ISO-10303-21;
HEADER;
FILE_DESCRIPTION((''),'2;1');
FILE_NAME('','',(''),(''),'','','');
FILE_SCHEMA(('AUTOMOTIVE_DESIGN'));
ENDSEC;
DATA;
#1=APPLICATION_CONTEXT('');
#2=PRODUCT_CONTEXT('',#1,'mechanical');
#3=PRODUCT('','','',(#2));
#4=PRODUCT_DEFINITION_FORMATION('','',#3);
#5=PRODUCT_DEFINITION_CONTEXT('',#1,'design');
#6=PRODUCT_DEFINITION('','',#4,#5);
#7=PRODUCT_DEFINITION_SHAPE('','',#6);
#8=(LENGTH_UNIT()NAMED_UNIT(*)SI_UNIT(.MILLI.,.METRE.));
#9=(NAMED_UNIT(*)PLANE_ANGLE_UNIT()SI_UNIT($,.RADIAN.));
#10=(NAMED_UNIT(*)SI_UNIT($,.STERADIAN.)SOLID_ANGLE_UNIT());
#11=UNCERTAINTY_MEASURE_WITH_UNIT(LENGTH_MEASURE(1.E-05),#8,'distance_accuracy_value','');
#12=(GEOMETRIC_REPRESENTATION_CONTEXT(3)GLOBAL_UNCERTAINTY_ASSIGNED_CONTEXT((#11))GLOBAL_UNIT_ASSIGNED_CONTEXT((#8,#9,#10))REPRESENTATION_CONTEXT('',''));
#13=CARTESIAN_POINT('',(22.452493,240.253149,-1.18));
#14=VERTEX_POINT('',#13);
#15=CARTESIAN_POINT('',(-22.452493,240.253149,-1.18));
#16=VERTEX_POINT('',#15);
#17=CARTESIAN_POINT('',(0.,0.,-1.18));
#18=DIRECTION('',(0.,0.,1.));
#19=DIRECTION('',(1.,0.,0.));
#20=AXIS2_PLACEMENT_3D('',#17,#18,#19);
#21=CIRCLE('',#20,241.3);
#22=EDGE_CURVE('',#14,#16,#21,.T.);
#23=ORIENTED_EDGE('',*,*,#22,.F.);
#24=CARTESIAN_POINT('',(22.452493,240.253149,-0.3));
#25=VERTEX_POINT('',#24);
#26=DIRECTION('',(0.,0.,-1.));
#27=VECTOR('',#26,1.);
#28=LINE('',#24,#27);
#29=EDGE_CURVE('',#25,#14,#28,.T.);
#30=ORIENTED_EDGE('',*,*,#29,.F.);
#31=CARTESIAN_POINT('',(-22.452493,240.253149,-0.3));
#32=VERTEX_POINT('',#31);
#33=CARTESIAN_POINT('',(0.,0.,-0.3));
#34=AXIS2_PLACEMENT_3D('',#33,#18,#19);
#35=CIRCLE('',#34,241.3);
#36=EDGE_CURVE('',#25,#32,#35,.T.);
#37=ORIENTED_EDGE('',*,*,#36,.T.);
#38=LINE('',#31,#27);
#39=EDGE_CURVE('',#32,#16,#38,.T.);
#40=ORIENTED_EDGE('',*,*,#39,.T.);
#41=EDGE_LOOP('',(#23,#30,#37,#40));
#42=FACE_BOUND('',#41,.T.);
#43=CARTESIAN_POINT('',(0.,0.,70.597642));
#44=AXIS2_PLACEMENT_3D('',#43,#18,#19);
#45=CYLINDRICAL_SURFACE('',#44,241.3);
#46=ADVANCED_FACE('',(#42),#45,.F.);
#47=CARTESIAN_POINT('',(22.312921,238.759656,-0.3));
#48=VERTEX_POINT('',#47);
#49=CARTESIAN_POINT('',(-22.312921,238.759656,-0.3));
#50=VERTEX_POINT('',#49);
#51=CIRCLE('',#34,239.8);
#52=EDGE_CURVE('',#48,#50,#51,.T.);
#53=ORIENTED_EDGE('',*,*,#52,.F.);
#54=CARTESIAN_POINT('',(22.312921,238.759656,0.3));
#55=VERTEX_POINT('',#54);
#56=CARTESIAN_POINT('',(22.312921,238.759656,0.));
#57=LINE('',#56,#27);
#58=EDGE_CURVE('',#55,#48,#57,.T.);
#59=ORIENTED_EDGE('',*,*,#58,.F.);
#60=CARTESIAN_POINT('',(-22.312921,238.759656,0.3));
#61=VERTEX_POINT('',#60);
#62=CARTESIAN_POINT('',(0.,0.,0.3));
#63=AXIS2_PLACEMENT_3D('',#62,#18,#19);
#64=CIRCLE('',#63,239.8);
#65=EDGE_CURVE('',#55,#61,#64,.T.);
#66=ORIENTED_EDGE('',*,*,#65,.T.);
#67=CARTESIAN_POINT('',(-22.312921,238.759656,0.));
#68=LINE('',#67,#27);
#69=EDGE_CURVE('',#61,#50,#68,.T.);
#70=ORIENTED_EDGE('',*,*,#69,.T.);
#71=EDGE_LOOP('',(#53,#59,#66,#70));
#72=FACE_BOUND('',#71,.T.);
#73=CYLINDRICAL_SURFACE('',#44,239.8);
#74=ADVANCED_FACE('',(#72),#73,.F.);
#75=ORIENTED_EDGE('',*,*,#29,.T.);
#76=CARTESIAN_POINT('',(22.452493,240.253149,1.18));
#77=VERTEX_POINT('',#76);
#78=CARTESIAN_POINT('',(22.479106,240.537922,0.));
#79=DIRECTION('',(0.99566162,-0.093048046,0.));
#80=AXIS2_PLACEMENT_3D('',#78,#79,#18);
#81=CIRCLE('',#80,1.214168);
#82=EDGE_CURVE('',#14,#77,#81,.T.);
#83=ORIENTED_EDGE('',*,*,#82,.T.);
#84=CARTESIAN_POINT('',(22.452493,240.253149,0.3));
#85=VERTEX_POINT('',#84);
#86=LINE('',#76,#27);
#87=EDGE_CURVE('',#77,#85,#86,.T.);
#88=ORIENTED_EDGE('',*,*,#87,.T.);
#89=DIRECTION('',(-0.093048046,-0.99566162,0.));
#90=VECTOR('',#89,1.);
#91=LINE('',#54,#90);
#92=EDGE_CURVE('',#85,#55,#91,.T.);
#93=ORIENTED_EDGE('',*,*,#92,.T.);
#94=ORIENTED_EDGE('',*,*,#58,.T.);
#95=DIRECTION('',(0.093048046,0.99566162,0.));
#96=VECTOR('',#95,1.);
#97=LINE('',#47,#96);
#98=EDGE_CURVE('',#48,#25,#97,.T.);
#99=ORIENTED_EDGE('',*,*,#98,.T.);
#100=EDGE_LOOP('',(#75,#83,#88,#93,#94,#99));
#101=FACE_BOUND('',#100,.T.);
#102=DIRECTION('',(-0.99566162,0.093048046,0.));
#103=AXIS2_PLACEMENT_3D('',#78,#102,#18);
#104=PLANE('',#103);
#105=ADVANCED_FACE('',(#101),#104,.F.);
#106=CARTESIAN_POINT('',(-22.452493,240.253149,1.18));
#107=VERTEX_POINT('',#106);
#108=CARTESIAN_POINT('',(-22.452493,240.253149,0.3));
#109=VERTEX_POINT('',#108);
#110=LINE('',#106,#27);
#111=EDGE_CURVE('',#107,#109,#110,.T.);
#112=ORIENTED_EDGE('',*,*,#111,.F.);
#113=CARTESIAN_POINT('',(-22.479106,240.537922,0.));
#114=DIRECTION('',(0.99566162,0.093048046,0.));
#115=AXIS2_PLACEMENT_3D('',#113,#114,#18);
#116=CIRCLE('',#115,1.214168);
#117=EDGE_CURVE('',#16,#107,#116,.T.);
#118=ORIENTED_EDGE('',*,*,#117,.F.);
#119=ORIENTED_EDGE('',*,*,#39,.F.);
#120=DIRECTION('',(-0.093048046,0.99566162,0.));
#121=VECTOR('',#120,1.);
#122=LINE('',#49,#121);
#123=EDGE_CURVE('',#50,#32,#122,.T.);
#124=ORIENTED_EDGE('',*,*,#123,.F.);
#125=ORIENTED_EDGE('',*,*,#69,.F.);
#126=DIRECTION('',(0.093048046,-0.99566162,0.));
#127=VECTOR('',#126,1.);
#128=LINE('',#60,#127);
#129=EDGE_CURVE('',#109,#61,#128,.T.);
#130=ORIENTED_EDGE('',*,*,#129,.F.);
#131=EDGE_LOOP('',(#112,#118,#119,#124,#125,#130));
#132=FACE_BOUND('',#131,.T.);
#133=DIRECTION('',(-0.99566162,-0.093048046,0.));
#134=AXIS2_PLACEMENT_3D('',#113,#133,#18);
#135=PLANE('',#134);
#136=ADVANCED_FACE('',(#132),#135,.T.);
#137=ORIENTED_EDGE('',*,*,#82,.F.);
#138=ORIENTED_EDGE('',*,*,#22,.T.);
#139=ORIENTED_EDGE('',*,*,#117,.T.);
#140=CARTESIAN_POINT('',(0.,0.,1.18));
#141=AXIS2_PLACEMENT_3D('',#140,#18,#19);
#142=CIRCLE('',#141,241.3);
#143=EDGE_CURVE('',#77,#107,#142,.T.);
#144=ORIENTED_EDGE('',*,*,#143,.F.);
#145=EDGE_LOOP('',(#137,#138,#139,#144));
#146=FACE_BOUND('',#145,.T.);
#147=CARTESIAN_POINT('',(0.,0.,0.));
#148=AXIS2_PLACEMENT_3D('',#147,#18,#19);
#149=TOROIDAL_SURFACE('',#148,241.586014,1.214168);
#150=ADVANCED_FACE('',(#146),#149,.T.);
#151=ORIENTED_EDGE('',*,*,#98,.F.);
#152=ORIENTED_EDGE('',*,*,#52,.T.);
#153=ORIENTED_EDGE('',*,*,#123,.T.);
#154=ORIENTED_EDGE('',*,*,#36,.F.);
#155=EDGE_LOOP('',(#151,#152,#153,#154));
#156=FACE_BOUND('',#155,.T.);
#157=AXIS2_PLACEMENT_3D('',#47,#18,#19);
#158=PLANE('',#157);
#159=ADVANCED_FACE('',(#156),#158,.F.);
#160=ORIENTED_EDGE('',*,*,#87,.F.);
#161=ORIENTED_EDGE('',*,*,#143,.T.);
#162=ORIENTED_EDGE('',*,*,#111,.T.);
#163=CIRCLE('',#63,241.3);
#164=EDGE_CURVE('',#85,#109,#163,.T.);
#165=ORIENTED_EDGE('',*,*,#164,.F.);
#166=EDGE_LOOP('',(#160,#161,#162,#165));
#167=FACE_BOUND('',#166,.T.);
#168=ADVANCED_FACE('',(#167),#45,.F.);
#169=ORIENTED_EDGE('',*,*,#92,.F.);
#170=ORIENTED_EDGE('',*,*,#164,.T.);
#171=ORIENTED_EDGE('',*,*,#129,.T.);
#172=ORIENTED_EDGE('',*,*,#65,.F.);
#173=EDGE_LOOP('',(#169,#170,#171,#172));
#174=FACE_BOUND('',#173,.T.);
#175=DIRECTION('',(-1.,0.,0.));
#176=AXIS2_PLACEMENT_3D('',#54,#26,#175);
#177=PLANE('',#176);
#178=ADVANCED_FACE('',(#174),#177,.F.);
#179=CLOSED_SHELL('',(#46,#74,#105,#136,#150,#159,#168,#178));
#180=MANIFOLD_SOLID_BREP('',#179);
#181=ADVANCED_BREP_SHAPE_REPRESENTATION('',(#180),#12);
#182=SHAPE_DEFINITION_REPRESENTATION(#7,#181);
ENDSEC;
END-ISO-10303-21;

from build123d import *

# Parameters (mm, degrees)
REVOLVE1_ANGLE           = 5.338983384
REVOLVE1_OTHER_WAY_ANGLE = 5.338983384


with BuildPart() as part:
    # Sketch2 → Revolve1 (revolve)
    with BuildSketch(Plane(origin=(0, 0, 0), x_dir=(0, 0, -1), z_dir=(1, 0, 0))):
        with BuildLine():
            Line((0, 239.8), (0.3, 239.8))
            Line((0.3, 239.8), (0.3, 241.3))
            Line((0.3, 241.3), (1.18, 241.3))
            ThreePointArc((1.18, 241.3), (0, 242.800182019), (-1.18, 241.3))
            Line((-1.18, 241.3), (-0.3, 241.3))
            Line((-0.3, 241.3), (-0.3, 239.8))
            Line((-0.3, 239.8), (0, 239.8))
        make_face()
    revolve(axis=Axis((0, 0, 70.597641597), (0, 0, -1)), revolution_arc=REVOLVE1_ANGLE)

    # Sketch2 → Revolve1 other way (revolve)
    with BuildSketch(Plane(origin=(0, 0, 0), x_dir=(0, 0, -1), z_dir=(1, 0, 0))):
        with BuildLine():
            Line((0, 239.8), (0.3, 239.8))
            Line((0.3, 239.8), (0.3, 241.3))
            Line((0.3, 241.3), (1.18, 241.3))
            ThreePointArc((1.18, 241.3), (0, 242.800182019), (-1.18, 241.3))
            Line((-1.18, 241.3), (-0.3, 241.3))
            Line((-0.3, 241.3), (-0.3, 239.8))
            Line((-0.3, 239.8), (0, 239.8))
        make_face()
    revolve(axis=Axis((0, 0, 70.597641597), (0, 0, 1)), revolution_arc=REVOLVE1_OTHER_WAY_ANGLE)


solid = part.part
